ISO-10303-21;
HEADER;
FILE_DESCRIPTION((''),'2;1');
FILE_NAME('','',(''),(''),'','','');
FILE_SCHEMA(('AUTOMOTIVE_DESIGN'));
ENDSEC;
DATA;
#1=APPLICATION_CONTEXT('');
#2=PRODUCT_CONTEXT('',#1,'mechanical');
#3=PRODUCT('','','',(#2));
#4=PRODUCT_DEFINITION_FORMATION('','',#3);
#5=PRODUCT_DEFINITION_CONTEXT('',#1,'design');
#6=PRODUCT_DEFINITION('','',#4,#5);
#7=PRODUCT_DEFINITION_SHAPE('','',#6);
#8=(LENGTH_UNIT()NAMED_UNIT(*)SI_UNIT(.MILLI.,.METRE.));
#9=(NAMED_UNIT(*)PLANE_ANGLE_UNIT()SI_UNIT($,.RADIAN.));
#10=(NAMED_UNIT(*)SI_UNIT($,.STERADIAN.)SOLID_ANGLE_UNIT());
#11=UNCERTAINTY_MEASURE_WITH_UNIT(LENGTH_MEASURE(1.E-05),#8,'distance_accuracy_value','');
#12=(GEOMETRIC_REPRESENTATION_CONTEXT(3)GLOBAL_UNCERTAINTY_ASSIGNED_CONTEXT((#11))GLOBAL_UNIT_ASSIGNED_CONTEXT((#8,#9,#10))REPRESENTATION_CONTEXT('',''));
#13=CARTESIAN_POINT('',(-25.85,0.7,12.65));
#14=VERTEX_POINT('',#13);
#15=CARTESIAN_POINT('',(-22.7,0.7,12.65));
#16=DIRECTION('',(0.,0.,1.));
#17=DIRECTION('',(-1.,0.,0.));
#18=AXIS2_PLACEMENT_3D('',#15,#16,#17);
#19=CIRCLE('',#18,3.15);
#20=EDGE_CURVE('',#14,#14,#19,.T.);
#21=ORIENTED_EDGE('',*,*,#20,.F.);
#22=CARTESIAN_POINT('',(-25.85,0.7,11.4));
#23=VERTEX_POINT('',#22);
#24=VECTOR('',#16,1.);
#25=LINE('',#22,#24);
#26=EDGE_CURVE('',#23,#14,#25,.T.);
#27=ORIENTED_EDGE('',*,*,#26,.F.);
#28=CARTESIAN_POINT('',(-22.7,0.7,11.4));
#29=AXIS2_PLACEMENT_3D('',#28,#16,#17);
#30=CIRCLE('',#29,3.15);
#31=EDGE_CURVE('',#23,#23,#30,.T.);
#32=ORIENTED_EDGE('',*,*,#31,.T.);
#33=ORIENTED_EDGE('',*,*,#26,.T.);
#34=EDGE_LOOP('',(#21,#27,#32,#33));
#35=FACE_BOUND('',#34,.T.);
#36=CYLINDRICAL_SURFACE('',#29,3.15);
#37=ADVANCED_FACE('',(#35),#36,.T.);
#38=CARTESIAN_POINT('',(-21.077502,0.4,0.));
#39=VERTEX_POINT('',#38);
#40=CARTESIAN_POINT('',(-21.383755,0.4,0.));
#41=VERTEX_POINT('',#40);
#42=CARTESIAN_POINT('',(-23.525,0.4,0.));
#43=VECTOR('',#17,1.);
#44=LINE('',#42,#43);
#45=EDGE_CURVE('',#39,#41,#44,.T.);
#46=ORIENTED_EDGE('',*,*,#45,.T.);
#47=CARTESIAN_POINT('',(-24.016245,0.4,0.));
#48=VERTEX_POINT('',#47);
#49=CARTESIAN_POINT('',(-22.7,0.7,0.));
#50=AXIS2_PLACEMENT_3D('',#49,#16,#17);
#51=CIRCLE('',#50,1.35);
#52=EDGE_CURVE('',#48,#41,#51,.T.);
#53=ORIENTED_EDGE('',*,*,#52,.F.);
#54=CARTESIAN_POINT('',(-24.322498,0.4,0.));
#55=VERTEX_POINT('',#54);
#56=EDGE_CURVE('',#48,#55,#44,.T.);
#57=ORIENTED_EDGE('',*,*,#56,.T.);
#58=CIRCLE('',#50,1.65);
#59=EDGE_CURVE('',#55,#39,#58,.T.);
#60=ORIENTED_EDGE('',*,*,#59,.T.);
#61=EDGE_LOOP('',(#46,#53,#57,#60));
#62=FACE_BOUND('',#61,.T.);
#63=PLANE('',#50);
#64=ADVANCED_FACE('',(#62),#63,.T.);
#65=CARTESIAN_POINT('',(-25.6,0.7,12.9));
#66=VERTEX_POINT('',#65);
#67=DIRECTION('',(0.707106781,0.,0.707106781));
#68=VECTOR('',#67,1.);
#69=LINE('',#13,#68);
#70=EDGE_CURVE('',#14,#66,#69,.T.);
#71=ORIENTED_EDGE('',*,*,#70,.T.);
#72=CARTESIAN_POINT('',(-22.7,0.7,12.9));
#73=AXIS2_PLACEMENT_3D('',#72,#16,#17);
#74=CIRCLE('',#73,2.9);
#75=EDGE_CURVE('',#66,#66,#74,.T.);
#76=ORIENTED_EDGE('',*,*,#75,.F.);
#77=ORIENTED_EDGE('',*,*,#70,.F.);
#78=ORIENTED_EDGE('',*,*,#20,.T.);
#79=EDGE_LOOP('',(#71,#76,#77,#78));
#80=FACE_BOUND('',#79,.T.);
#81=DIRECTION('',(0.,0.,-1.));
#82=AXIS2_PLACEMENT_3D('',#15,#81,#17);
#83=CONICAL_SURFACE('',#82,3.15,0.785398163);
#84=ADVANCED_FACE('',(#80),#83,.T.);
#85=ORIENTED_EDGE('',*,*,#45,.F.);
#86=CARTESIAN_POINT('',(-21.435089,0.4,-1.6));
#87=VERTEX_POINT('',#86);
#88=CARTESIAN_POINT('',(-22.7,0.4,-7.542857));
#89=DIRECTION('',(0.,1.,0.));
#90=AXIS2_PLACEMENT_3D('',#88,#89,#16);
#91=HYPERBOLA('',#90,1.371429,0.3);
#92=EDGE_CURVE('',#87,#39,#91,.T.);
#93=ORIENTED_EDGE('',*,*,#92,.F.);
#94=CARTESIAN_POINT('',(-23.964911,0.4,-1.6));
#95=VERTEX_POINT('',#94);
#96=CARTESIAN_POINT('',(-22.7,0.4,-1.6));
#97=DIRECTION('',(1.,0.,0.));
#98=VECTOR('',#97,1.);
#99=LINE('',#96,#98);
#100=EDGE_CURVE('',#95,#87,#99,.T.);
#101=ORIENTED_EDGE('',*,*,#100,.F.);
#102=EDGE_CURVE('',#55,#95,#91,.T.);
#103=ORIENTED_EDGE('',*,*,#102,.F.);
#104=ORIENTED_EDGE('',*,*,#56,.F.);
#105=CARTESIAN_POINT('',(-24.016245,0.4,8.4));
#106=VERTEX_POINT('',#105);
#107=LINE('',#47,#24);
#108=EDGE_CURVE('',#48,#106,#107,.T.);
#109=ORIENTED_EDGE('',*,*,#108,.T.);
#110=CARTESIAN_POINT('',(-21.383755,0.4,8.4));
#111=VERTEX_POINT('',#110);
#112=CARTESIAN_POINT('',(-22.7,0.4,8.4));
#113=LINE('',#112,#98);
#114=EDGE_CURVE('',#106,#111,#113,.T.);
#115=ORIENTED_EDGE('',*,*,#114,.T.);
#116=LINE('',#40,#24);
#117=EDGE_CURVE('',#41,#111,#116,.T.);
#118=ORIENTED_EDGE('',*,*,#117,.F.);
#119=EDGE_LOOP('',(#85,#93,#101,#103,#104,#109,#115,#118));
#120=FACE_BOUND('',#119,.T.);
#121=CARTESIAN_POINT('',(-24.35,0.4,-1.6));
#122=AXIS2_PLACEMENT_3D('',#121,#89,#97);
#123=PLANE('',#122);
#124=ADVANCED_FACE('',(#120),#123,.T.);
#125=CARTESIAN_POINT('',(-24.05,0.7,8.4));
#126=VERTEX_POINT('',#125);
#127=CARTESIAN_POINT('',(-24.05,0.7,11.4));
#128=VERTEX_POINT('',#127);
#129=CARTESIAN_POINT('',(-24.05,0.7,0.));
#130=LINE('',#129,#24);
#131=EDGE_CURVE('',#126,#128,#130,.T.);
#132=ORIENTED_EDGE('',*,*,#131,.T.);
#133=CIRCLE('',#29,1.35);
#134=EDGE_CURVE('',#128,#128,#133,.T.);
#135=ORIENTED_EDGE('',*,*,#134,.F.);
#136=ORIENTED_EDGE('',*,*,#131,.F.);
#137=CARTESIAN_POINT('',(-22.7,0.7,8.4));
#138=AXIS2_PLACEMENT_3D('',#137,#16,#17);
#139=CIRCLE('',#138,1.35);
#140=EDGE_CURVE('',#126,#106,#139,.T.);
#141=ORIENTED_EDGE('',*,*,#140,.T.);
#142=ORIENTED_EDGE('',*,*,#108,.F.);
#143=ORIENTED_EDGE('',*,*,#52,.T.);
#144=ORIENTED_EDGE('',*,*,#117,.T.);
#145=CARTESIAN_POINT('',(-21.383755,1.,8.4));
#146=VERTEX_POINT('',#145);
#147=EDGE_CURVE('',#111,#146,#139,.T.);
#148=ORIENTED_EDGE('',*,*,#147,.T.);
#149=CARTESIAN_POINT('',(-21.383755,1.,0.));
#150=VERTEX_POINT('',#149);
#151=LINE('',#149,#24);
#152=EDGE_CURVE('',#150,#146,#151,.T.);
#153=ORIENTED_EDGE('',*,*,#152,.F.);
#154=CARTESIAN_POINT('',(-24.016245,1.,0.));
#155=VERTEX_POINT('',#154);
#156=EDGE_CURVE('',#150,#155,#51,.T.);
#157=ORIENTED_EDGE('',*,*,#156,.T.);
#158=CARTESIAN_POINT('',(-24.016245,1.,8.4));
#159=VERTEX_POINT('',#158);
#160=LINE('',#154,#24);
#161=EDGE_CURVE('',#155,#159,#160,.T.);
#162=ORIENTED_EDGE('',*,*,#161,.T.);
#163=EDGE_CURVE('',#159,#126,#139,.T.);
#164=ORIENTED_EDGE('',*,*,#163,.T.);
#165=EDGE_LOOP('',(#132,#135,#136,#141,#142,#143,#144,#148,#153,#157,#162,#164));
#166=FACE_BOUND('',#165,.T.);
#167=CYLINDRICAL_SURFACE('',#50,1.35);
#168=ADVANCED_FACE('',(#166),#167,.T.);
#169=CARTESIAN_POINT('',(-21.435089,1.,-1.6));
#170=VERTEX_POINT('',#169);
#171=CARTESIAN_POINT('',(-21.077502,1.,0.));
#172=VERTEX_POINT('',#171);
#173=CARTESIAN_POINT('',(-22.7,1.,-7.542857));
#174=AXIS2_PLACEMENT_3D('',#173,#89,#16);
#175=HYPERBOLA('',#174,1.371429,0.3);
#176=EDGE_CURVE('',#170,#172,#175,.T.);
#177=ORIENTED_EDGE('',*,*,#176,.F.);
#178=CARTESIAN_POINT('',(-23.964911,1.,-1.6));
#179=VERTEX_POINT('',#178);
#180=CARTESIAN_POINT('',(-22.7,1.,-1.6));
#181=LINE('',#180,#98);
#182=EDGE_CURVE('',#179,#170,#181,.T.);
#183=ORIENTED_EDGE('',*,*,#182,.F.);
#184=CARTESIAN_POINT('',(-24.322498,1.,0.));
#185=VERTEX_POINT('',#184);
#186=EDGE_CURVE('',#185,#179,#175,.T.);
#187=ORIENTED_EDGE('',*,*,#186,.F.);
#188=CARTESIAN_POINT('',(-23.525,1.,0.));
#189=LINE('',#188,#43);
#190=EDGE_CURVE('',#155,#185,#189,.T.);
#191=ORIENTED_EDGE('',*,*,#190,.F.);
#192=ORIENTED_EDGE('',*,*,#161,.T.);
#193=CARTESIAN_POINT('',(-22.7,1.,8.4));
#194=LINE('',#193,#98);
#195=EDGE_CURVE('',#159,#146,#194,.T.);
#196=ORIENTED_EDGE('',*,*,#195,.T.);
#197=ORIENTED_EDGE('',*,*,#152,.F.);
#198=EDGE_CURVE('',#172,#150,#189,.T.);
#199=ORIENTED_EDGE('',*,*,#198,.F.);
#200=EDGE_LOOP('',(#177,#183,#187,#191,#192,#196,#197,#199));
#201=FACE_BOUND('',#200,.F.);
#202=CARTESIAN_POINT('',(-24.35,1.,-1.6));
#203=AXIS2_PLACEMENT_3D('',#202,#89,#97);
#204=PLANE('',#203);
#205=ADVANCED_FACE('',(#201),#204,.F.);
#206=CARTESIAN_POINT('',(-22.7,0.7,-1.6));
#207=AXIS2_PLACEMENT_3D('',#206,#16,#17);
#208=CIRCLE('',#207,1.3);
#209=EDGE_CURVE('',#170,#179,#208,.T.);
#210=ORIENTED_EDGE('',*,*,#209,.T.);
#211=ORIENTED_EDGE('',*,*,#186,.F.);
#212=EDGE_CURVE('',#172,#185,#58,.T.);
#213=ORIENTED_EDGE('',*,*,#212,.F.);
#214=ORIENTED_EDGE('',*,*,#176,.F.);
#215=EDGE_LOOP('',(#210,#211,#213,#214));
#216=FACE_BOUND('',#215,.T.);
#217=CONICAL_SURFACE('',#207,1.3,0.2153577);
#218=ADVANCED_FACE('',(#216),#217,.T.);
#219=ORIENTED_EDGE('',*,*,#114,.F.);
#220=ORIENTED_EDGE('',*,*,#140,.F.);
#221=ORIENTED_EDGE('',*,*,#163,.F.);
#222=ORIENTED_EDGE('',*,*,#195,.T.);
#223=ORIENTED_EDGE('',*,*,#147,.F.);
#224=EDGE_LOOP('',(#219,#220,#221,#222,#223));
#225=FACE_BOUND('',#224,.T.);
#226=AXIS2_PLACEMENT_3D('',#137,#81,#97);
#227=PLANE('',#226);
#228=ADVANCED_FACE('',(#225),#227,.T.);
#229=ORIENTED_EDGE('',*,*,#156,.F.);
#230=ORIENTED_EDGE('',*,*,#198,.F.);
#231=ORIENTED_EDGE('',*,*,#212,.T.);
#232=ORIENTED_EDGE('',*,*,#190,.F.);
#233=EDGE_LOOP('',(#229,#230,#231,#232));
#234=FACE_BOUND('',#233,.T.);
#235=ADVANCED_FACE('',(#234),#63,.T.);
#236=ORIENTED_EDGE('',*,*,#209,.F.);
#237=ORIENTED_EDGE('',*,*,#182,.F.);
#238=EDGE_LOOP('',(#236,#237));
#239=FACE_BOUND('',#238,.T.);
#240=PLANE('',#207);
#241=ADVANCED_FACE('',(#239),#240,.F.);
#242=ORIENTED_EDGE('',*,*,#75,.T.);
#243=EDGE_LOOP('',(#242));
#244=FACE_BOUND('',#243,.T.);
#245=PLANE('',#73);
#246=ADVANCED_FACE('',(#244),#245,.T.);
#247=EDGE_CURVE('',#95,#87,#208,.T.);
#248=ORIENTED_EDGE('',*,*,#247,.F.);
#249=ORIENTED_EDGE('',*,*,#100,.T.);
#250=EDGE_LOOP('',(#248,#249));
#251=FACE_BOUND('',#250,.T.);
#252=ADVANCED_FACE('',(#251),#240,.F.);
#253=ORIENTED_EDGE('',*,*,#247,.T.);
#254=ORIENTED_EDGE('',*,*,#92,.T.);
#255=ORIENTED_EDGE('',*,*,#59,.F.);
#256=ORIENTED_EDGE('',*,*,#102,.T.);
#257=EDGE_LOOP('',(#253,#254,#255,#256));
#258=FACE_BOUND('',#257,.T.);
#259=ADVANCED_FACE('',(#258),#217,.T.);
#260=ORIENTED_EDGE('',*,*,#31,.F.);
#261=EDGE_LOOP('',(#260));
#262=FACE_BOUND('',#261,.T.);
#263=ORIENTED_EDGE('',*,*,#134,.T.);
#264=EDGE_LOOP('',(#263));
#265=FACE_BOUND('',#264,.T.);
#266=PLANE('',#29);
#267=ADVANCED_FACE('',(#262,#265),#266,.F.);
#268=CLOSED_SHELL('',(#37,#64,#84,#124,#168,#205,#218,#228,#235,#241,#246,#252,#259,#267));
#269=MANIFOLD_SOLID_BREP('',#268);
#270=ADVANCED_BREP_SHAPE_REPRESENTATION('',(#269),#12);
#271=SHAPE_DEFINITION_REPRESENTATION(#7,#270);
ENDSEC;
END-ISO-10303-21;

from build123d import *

# Parameters (mm, degrees)
CHAMFER_SIZE = 0.25
SKETCH016_W  = 3.3
SKETCH016_H  = 0.6
POCKET_DEPTH = 10


with BuildPart() as part:
    # Sketch → Revolution (revolve)
    with BuildSketch(Plane.XZ):
        Polygon((-1.35, 1.6), (-1.35, 13), (-3.15, 13), (-3.15, 14.5), (0, 14.5), (0, 0), (-1.3, 0), (-1.65, 1.6), align=None)
    revolve(axis=Axis((0, 0, 0), (0, 0, 1)))

    # Chamfer
    chamfer_edges = [part.edges().sort_by_distance(p)[0] for p in [
        (3.15, 0, 14.5),
    ]]
    chamfer(chamfer_edges, length=CHAMFER_SIZE)

    # Sketch016 (on Face8 of Chamfer) → Pocket (cut)
    with BuildSketch(Plane(origin=(0, 0, 0), x_dir=(1, 0, 0), z_dir=(0, 0, -1))):
        Rectangle(SKETCH016_W, SKETCH016_H)
    extrude(amount=-POCKET_DEPTH, mode=Mode.SUBTRACT)


with BuildPart() as part_1:
    # Body placement: moved
    add(part.part.moved(Location((-22.7, 0.7, -1.6))))


solid = part_1.part
